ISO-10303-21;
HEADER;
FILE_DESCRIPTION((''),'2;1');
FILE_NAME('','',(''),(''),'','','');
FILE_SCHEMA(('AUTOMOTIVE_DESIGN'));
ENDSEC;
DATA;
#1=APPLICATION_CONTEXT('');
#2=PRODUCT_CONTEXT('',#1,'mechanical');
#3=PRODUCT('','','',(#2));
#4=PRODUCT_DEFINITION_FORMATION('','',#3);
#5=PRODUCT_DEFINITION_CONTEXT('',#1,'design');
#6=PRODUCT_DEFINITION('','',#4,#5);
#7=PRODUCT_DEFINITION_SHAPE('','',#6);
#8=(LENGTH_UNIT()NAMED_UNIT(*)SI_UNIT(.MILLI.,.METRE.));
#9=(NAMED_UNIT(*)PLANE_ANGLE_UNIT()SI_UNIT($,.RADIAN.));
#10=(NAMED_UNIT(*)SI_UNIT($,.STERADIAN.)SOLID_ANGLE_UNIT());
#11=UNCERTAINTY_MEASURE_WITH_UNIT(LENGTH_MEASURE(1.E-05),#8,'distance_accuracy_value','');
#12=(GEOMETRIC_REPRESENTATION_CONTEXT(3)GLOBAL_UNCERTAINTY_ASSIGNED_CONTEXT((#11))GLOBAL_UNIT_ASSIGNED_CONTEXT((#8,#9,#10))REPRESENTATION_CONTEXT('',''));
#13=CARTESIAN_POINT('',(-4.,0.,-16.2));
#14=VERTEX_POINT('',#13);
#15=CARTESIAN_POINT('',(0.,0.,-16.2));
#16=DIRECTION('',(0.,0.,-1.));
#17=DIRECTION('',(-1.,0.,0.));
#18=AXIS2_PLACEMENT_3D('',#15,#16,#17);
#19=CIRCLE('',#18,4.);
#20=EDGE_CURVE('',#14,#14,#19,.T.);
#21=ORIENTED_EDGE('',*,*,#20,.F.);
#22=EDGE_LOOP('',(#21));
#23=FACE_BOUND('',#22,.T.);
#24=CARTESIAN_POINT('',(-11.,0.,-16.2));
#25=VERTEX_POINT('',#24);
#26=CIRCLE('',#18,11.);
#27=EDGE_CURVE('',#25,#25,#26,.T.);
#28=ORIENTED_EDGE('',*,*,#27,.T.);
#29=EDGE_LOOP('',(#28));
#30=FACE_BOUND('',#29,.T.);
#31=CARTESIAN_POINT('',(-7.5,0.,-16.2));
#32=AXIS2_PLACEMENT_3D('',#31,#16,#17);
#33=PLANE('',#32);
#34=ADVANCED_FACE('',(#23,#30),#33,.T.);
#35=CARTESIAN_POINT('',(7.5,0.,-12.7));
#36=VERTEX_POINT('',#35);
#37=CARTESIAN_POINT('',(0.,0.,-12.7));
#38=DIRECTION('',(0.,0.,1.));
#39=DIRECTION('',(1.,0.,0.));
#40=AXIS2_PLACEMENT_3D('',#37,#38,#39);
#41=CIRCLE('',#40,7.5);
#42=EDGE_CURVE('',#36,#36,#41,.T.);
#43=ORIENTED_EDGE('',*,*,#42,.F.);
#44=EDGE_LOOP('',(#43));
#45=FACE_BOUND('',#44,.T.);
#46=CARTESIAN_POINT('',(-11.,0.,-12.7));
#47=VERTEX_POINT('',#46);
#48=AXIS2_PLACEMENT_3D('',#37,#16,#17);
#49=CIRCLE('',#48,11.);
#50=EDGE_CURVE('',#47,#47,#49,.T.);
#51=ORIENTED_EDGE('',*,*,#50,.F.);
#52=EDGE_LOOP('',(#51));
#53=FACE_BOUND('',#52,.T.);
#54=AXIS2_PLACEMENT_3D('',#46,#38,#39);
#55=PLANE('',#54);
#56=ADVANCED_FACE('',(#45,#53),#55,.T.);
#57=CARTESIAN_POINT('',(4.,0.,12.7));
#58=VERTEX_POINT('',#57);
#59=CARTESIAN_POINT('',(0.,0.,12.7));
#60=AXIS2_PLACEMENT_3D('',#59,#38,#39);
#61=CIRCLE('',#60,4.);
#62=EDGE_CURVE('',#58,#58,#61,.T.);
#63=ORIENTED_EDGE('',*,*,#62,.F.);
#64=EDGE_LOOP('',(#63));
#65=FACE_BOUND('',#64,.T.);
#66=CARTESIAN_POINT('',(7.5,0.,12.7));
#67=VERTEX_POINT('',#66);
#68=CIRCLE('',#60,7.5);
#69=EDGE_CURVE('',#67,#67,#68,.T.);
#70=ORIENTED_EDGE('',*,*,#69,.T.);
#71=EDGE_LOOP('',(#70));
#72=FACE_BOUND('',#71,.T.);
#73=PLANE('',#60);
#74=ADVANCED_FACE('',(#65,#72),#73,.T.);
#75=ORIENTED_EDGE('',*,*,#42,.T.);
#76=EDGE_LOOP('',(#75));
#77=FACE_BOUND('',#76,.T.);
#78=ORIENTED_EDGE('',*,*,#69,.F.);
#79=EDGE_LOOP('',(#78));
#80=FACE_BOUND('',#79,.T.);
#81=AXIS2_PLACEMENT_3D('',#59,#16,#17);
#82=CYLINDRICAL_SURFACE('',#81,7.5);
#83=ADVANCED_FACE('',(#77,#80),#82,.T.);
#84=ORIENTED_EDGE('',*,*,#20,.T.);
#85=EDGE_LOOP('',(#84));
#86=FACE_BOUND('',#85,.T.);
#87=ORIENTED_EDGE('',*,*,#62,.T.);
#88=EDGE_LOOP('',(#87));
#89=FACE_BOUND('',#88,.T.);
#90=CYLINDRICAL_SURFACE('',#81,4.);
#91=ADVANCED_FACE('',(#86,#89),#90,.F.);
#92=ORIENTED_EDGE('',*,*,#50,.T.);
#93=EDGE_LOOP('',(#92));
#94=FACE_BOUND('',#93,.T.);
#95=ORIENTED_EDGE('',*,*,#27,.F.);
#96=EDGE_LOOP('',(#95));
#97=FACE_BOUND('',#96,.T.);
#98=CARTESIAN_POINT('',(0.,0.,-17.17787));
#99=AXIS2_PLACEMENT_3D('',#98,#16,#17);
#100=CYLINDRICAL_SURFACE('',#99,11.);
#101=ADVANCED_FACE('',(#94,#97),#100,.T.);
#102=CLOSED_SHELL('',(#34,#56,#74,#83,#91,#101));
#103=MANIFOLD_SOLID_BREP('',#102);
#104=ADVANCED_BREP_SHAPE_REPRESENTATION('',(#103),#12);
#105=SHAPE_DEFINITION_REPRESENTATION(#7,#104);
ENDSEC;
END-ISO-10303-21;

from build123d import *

# Parameters (mm, degrees)
SKETCH1_R    = 7.5
SKETCH1_R_2  = 4
INSERT_DEPTH = 12.7


with BuildPart() as part:
    # Sketch1 → Insert (new body, symmetric)
    with BuildSketch(Plane.XY):
        Circle(SKETCH1_R)
        Circle(SKETCH1_R_2, mode=Mode.SUBTRACT)
    extrude(amount=INSERT_DEPTH, both=True)

    # Sketch6 → Revolve5 (revolve)
    with BuildSketch(Plane(origin=(0, 0, 0), x_dir=(1, 0, 0), z_dir=(0, 1, 0))):
        Polygon((-11, 16.2), (-11, 12.7), (-7.5, 12.7), (-4, 12.7), (-4, 16.2), (-7.5, 16.2), align=None)
    revolve(axis=Axis((0, 0, -17.177869937), (0, 0, 1)))


solid = part.part
